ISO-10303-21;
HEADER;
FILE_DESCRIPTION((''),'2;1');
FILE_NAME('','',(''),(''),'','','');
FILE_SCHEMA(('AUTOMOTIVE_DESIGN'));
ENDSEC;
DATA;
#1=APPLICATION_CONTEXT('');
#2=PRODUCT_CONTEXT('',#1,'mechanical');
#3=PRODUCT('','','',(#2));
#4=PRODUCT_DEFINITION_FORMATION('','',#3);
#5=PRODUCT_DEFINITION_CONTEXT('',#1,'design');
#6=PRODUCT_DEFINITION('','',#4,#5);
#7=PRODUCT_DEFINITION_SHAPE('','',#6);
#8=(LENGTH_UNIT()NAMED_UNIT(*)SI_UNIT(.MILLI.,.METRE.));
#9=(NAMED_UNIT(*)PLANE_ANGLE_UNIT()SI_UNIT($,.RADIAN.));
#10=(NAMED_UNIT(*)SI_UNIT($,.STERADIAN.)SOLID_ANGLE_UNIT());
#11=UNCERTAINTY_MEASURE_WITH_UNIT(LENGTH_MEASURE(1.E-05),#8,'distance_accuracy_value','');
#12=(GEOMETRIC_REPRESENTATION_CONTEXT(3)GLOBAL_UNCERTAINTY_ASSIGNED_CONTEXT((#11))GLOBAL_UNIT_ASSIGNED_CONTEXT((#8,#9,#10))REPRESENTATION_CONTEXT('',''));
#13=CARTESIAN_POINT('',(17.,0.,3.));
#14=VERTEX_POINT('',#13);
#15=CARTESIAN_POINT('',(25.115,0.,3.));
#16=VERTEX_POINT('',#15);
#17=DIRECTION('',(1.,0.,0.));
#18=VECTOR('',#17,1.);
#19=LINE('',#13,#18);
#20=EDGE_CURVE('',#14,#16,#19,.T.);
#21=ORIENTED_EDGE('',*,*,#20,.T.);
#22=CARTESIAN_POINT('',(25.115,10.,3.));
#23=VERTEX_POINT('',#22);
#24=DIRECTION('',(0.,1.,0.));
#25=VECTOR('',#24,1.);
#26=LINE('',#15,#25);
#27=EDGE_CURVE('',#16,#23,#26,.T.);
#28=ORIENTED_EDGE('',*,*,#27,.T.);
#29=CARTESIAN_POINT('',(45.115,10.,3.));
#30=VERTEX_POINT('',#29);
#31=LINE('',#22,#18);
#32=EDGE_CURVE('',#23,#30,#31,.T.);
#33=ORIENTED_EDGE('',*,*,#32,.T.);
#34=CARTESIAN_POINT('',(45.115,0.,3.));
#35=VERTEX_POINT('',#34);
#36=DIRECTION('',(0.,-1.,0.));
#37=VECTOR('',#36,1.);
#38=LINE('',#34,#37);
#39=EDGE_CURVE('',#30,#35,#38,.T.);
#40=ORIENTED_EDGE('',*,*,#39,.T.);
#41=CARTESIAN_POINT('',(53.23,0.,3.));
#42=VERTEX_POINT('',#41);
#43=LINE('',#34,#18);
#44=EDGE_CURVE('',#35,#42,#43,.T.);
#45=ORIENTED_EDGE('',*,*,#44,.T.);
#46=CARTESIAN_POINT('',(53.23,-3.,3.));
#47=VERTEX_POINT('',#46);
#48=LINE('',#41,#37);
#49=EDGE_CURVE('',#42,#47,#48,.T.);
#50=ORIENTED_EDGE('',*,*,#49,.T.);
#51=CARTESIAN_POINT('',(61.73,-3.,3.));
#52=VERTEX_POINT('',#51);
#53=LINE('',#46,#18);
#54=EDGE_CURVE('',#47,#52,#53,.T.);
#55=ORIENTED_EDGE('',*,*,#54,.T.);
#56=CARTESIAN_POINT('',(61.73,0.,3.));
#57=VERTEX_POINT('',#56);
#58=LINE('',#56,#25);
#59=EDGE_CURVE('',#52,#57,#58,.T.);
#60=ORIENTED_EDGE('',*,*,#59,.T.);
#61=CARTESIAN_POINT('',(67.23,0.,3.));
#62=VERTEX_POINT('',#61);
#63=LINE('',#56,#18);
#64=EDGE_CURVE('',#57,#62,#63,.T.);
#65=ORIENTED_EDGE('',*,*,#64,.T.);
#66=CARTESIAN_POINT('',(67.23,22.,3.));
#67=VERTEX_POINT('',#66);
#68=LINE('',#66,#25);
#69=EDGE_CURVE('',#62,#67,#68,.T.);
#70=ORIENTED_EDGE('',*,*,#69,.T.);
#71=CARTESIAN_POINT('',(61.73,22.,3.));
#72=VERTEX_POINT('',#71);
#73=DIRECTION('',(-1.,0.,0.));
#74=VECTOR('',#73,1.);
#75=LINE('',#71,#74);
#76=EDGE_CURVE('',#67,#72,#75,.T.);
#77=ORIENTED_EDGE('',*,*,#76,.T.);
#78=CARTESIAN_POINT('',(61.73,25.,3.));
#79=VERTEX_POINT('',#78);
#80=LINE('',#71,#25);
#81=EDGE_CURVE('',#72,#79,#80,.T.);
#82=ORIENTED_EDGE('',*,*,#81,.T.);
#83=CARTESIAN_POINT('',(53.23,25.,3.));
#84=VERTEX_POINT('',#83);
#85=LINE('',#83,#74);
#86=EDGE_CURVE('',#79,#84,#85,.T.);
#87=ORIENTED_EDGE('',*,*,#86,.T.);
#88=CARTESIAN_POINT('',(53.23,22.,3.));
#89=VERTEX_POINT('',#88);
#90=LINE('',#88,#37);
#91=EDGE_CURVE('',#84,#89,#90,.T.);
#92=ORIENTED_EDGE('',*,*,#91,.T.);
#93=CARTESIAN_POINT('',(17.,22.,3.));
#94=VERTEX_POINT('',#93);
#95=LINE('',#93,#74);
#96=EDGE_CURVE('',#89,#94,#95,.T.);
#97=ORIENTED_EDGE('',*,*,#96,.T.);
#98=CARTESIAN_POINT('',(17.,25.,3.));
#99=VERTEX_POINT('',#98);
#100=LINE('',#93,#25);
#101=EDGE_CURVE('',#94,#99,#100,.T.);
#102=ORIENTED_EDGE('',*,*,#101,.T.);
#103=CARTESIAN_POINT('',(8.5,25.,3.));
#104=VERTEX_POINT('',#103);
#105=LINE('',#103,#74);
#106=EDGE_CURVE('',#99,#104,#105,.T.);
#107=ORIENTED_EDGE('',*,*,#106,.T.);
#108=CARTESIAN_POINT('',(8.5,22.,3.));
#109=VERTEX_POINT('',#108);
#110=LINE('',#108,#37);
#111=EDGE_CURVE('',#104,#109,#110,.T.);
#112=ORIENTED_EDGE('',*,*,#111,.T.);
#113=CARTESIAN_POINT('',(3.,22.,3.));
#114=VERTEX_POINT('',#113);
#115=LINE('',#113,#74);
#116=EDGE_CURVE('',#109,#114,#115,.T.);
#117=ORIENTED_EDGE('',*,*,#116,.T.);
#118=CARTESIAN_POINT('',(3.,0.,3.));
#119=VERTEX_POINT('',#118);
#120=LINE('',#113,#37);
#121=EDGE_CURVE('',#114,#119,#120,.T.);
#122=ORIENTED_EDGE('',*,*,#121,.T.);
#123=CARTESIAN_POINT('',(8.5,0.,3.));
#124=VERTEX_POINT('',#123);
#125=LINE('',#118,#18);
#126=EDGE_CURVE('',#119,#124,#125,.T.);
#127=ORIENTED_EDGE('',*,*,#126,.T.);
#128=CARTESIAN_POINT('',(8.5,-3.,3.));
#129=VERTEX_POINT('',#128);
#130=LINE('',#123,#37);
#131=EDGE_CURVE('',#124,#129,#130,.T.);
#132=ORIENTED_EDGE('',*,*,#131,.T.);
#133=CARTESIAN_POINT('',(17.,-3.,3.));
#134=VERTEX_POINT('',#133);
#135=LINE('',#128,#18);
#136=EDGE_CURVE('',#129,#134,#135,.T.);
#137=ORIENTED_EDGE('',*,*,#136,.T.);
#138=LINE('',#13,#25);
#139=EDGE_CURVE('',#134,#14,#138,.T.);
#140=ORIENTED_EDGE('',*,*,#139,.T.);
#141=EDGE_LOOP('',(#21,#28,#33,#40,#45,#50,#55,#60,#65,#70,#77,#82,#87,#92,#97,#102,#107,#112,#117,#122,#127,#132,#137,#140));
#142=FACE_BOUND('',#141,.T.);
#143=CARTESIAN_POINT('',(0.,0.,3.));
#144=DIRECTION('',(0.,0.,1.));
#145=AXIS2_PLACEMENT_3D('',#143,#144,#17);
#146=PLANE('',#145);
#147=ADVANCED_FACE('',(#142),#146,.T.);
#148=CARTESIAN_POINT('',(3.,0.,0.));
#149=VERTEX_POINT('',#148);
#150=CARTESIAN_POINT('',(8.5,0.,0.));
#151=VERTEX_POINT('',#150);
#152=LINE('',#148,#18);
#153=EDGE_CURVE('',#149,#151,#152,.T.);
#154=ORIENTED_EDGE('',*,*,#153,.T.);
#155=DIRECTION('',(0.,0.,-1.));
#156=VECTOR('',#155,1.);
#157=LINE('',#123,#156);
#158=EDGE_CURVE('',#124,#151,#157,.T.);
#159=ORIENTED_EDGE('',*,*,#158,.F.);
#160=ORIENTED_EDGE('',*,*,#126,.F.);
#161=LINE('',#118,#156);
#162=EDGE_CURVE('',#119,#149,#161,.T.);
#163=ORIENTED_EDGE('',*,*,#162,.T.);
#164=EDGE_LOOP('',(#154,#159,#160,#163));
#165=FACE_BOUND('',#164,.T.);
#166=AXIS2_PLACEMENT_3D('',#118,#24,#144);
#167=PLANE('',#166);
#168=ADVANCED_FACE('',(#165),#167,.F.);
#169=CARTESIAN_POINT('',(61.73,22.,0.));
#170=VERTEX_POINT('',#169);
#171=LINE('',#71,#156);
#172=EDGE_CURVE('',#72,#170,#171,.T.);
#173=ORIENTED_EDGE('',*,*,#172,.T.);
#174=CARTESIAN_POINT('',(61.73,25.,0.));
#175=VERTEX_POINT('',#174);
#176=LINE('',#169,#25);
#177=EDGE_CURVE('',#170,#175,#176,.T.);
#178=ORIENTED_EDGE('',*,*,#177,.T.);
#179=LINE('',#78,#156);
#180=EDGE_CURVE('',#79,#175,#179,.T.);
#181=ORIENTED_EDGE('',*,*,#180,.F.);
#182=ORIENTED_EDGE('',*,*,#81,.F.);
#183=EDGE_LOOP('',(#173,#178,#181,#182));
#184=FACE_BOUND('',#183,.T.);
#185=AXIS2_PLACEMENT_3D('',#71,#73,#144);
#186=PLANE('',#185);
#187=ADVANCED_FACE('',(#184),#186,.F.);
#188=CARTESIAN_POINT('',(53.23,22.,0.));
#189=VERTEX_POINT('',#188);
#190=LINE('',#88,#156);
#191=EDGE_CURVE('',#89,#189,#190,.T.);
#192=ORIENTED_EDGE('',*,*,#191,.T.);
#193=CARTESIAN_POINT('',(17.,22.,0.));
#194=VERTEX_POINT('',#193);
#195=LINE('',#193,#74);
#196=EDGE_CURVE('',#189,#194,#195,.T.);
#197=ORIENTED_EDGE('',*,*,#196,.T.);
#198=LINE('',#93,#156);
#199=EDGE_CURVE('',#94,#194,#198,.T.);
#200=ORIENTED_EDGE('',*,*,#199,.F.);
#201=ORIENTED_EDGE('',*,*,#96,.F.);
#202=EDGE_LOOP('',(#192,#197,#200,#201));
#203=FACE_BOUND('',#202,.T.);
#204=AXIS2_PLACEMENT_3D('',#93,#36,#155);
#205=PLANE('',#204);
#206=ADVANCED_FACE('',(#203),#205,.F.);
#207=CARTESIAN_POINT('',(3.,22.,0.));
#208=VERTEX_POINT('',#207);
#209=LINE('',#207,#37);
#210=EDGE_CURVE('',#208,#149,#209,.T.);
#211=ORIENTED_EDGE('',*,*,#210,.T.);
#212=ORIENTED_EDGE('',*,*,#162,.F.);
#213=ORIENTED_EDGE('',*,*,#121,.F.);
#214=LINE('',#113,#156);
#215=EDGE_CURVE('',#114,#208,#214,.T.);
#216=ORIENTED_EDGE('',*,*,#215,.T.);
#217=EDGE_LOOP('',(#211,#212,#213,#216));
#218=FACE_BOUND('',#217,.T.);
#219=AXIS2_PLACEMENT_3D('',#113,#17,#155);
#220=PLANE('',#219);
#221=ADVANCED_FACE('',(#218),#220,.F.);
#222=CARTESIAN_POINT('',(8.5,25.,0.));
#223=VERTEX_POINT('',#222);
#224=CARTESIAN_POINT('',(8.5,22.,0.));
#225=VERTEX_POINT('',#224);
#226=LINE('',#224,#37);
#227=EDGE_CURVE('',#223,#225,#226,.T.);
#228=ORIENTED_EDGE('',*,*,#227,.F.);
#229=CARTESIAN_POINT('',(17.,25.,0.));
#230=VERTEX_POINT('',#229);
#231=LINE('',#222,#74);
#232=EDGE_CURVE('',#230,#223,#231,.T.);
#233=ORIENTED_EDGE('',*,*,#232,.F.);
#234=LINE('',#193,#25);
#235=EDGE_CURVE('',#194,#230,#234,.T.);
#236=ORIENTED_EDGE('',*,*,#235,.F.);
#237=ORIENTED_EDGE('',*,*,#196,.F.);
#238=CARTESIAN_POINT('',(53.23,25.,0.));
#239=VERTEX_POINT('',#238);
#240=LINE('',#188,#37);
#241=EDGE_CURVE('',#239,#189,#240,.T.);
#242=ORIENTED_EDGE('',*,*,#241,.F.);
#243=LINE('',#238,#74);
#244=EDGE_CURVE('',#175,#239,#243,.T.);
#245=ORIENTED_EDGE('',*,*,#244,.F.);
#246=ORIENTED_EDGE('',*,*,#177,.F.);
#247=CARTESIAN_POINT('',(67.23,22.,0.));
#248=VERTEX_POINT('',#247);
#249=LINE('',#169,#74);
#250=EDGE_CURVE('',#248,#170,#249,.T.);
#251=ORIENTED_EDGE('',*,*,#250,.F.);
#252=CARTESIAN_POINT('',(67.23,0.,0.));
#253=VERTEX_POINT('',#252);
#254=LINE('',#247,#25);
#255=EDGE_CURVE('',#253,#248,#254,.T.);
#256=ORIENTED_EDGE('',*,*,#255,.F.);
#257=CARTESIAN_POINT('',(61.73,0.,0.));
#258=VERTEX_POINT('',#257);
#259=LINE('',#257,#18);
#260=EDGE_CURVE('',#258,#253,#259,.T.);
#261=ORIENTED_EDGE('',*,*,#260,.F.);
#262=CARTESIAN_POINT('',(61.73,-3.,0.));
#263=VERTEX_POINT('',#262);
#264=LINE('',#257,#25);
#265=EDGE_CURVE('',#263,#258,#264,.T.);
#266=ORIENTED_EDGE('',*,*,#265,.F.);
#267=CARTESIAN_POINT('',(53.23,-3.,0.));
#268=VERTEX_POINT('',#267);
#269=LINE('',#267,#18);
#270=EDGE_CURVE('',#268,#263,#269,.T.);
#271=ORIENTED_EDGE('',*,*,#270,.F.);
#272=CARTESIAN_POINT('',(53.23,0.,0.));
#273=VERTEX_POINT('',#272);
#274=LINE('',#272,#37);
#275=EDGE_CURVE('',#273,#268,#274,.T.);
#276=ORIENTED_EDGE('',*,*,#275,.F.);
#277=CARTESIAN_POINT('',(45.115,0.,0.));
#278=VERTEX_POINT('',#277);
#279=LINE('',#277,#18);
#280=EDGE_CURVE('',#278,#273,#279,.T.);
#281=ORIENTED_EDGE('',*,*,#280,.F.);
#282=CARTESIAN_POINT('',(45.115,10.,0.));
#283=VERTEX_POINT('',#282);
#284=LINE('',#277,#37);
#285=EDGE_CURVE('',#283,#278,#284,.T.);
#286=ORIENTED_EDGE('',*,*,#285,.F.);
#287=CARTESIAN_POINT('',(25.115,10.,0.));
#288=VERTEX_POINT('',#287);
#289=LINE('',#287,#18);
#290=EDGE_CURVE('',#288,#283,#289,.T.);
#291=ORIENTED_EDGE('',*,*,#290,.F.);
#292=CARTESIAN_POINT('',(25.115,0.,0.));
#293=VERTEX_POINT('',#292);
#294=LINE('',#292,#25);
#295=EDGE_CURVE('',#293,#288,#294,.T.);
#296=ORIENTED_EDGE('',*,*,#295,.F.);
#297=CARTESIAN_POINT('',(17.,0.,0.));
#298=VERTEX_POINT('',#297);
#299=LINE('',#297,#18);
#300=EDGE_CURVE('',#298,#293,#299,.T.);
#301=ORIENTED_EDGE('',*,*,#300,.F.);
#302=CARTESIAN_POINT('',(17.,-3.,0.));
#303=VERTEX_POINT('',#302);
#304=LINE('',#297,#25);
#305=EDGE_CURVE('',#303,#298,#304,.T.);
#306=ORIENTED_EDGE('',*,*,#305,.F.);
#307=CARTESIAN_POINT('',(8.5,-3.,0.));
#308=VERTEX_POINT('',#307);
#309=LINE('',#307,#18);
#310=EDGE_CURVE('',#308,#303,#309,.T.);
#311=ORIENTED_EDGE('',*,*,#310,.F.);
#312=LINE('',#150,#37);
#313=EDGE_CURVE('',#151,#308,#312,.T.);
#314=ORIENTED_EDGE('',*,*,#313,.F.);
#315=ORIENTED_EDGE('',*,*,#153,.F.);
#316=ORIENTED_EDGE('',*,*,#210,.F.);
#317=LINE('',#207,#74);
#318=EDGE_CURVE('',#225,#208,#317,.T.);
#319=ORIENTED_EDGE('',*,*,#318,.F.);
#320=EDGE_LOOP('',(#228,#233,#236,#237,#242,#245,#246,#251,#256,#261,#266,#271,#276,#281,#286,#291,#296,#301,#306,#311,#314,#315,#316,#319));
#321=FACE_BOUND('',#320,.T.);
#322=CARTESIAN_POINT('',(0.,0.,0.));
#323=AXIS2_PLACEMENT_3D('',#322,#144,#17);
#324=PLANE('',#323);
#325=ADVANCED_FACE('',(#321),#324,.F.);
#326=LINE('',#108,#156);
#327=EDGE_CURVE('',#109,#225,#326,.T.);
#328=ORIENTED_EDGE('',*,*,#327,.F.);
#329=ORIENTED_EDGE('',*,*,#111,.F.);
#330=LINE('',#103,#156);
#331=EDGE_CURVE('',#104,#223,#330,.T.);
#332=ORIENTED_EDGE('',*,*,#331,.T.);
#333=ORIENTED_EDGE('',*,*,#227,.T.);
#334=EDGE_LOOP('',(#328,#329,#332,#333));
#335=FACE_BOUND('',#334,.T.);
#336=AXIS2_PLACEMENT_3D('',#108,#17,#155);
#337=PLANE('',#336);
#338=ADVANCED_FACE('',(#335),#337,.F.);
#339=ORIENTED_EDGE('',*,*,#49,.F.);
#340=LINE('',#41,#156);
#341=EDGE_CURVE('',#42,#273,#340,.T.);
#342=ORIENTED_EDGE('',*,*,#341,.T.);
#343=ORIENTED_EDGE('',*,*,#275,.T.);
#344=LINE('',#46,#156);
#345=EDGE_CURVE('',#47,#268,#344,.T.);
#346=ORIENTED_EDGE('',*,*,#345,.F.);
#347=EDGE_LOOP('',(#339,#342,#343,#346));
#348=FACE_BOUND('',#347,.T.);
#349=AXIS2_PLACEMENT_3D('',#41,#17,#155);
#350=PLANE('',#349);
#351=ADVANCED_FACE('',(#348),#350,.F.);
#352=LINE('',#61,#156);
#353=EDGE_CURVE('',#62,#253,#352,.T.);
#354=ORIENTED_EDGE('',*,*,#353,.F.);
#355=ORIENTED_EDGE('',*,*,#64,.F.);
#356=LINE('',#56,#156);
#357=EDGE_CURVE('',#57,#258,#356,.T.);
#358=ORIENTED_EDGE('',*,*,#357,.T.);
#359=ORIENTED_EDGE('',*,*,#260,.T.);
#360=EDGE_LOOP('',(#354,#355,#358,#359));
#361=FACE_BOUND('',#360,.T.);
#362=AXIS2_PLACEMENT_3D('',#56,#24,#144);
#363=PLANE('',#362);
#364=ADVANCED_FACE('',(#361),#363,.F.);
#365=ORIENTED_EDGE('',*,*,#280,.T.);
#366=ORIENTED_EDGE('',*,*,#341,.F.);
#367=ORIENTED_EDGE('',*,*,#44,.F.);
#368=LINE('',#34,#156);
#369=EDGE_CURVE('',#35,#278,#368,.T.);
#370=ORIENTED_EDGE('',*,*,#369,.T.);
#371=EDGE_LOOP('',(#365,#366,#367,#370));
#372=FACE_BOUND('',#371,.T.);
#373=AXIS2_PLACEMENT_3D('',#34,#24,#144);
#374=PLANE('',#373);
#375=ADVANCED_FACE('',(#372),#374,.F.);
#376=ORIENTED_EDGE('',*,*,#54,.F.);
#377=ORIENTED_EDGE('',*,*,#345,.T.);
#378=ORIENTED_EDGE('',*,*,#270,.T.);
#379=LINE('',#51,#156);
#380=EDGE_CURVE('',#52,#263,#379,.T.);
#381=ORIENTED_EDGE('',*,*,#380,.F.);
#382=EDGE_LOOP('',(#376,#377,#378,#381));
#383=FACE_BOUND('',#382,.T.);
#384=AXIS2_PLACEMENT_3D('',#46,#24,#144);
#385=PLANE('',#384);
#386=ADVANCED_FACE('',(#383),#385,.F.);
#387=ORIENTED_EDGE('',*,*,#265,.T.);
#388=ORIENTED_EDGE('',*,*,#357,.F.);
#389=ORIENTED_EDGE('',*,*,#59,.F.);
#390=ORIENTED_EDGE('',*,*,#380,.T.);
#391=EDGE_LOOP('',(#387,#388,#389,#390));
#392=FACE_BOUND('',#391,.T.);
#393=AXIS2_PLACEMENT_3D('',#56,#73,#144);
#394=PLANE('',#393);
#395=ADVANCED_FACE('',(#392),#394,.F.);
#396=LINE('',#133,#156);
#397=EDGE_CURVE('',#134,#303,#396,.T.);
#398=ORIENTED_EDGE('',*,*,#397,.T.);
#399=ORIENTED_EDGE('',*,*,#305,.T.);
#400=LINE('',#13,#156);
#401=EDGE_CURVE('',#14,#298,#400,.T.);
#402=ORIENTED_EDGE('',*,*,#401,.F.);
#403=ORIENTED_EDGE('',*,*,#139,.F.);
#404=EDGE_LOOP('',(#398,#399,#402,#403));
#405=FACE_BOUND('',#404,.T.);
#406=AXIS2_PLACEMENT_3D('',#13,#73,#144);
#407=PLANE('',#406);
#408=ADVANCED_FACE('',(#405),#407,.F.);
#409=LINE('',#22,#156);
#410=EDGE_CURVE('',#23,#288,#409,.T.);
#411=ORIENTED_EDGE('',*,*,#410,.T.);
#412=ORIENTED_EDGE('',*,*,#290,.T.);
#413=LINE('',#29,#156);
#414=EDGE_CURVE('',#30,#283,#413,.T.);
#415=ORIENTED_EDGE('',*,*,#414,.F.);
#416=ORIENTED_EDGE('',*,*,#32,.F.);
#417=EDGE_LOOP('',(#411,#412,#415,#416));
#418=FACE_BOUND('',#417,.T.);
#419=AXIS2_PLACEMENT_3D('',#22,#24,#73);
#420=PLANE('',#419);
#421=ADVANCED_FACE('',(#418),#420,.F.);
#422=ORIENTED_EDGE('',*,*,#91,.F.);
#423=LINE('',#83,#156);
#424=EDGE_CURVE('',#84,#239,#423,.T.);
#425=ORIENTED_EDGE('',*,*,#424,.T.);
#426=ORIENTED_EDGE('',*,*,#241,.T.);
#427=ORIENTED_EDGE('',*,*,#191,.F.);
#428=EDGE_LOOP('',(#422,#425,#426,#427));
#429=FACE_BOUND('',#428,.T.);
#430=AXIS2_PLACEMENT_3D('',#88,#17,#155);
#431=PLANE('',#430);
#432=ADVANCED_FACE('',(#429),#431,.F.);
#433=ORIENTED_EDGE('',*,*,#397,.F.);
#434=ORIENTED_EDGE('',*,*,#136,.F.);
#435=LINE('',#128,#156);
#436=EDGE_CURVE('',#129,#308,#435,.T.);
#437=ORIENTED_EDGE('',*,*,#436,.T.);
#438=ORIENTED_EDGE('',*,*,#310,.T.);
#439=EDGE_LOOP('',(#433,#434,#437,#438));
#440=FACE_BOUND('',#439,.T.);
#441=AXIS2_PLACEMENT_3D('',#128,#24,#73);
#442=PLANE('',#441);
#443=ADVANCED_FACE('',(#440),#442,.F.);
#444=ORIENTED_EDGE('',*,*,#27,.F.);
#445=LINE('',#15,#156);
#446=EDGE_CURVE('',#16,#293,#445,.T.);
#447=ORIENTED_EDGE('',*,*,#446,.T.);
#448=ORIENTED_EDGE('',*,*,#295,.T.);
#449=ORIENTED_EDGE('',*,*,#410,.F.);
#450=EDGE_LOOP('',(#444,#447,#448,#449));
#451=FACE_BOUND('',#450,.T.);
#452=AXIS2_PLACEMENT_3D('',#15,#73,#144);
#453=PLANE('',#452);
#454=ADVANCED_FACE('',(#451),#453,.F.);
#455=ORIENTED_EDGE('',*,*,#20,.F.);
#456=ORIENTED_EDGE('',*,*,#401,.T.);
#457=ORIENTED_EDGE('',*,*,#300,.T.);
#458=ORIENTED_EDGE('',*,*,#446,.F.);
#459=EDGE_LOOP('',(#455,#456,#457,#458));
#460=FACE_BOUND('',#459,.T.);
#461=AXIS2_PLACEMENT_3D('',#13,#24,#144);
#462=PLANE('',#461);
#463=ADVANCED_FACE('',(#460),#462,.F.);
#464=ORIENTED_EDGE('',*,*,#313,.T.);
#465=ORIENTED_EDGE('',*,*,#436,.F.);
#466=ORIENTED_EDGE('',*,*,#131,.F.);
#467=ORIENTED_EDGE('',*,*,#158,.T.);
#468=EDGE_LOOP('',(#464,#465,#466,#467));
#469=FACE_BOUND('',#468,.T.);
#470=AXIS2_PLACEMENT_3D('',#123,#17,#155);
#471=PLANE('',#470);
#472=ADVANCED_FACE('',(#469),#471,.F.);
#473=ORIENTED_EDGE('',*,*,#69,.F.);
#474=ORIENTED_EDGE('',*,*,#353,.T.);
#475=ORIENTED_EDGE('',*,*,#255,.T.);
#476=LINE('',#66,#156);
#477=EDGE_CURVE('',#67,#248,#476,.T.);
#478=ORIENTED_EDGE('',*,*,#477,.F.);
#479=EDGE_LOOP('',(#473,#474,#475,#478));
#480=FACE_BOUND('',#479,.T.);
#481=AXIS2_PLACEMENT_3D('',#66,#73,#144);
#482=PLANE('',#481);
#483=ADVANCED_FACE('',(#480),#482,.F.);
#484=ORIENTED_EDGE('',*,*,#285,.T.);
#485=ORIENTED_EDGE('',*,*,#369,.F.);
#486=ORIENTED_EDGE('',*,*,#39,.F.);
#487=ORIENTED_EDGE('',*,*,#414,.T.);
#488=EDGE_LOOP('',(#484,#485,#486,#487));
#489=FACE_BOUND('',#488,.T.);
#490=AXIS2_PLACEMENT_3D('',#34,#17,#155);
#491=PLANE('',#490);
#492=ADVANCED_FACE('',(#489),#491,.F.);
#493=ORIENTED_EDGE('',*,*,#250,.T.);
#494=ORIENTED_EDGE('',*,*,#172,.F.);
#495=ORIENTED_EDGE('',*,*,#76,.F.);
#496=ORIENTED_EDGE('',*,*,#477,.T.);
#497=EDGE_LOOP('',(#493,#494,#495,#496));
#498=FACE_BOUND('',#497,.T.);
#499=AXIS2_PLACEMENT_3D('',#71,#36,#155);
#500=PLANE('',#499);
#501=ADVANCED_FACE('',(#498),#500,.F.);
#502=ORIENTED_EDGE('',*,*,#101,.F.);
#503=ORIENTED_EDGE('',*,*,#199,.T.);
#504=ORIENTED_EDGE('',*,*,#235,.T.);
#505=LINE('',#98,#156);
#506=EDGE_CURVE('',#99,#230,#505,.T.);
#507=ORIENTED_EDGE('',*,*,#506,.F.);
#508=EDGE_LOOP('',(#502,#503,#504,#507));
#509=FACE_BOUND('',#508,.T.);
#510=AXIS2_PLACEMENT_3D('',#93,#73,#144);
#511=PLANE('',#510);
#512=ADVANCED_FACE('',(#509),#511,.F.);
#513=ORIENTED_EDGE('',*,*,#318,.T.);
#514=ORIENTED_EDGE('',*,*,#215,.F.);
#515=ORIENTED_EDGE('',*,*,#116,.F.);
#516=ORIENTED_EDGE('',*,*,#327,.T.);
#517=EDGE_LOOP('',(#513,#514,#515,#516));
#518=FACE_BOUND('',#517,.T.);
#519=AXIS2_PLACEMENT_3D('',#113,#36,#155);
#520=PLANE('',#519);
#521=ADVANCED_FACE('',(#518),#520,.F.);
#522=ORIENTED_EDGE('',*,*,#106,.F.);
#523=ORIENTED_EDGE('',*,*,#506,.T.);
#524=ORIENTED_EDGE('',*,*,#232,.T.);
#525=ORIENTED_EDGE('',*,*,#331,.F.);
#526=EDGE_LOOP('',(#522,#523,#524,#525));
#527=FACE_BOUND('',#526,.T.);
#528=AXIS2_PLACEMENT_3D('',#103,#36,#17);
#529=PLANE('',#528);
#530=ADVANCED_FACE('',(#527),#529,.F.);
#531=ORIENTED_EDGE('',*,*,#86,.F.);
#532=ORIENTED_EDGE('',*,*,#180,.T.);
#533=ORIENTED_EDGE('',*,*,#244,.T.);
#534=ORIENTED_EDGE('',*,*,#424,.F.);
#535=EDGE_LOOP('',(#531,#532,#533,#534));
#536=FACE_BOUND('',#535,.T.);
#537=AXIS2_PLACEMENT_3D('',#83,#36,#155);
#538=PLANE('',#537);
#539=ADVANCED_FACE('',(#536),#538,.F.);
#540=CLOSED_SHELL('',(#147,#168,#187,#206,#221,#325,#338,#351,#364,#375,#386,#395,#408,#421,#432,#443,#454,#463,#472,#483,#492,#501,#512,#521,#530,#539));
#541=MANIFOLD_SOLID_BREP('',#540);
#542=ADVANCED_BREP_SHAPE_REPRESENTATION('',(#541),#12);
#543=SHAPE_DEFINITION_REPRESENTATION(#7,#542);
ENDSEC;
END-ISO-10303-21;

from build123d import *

# Parameters (mm, degrees)
SALIENTE_EXTRUIR1_DEPTH = 3


with BuildPart() as part:
    # Croquis1 → Saliente-Extruir1 (new body)
    with BuildSketch(Plane.XY):
        Polygon((3, 0), (8.5, 0), (8.5, -3), (17, -3), (17, 0), (25.115, 0), (25.115, 10), (45.115, 10), (45.115, 0), (53.23, 0), (53.23, -3), (61.73, -3), (61.73, 0), (67.23, 0), (67.23, 22), (61.73, 22), (61.73, 25), (53.23, 25), (53.23, 22), (17, 22), (17, 25), (8.5, 25), (8.5, 22), (3, 22), align=None)
    extrude(amount=SALIENTE_EXTRUIR1_DEPTH)


solid = part.part
